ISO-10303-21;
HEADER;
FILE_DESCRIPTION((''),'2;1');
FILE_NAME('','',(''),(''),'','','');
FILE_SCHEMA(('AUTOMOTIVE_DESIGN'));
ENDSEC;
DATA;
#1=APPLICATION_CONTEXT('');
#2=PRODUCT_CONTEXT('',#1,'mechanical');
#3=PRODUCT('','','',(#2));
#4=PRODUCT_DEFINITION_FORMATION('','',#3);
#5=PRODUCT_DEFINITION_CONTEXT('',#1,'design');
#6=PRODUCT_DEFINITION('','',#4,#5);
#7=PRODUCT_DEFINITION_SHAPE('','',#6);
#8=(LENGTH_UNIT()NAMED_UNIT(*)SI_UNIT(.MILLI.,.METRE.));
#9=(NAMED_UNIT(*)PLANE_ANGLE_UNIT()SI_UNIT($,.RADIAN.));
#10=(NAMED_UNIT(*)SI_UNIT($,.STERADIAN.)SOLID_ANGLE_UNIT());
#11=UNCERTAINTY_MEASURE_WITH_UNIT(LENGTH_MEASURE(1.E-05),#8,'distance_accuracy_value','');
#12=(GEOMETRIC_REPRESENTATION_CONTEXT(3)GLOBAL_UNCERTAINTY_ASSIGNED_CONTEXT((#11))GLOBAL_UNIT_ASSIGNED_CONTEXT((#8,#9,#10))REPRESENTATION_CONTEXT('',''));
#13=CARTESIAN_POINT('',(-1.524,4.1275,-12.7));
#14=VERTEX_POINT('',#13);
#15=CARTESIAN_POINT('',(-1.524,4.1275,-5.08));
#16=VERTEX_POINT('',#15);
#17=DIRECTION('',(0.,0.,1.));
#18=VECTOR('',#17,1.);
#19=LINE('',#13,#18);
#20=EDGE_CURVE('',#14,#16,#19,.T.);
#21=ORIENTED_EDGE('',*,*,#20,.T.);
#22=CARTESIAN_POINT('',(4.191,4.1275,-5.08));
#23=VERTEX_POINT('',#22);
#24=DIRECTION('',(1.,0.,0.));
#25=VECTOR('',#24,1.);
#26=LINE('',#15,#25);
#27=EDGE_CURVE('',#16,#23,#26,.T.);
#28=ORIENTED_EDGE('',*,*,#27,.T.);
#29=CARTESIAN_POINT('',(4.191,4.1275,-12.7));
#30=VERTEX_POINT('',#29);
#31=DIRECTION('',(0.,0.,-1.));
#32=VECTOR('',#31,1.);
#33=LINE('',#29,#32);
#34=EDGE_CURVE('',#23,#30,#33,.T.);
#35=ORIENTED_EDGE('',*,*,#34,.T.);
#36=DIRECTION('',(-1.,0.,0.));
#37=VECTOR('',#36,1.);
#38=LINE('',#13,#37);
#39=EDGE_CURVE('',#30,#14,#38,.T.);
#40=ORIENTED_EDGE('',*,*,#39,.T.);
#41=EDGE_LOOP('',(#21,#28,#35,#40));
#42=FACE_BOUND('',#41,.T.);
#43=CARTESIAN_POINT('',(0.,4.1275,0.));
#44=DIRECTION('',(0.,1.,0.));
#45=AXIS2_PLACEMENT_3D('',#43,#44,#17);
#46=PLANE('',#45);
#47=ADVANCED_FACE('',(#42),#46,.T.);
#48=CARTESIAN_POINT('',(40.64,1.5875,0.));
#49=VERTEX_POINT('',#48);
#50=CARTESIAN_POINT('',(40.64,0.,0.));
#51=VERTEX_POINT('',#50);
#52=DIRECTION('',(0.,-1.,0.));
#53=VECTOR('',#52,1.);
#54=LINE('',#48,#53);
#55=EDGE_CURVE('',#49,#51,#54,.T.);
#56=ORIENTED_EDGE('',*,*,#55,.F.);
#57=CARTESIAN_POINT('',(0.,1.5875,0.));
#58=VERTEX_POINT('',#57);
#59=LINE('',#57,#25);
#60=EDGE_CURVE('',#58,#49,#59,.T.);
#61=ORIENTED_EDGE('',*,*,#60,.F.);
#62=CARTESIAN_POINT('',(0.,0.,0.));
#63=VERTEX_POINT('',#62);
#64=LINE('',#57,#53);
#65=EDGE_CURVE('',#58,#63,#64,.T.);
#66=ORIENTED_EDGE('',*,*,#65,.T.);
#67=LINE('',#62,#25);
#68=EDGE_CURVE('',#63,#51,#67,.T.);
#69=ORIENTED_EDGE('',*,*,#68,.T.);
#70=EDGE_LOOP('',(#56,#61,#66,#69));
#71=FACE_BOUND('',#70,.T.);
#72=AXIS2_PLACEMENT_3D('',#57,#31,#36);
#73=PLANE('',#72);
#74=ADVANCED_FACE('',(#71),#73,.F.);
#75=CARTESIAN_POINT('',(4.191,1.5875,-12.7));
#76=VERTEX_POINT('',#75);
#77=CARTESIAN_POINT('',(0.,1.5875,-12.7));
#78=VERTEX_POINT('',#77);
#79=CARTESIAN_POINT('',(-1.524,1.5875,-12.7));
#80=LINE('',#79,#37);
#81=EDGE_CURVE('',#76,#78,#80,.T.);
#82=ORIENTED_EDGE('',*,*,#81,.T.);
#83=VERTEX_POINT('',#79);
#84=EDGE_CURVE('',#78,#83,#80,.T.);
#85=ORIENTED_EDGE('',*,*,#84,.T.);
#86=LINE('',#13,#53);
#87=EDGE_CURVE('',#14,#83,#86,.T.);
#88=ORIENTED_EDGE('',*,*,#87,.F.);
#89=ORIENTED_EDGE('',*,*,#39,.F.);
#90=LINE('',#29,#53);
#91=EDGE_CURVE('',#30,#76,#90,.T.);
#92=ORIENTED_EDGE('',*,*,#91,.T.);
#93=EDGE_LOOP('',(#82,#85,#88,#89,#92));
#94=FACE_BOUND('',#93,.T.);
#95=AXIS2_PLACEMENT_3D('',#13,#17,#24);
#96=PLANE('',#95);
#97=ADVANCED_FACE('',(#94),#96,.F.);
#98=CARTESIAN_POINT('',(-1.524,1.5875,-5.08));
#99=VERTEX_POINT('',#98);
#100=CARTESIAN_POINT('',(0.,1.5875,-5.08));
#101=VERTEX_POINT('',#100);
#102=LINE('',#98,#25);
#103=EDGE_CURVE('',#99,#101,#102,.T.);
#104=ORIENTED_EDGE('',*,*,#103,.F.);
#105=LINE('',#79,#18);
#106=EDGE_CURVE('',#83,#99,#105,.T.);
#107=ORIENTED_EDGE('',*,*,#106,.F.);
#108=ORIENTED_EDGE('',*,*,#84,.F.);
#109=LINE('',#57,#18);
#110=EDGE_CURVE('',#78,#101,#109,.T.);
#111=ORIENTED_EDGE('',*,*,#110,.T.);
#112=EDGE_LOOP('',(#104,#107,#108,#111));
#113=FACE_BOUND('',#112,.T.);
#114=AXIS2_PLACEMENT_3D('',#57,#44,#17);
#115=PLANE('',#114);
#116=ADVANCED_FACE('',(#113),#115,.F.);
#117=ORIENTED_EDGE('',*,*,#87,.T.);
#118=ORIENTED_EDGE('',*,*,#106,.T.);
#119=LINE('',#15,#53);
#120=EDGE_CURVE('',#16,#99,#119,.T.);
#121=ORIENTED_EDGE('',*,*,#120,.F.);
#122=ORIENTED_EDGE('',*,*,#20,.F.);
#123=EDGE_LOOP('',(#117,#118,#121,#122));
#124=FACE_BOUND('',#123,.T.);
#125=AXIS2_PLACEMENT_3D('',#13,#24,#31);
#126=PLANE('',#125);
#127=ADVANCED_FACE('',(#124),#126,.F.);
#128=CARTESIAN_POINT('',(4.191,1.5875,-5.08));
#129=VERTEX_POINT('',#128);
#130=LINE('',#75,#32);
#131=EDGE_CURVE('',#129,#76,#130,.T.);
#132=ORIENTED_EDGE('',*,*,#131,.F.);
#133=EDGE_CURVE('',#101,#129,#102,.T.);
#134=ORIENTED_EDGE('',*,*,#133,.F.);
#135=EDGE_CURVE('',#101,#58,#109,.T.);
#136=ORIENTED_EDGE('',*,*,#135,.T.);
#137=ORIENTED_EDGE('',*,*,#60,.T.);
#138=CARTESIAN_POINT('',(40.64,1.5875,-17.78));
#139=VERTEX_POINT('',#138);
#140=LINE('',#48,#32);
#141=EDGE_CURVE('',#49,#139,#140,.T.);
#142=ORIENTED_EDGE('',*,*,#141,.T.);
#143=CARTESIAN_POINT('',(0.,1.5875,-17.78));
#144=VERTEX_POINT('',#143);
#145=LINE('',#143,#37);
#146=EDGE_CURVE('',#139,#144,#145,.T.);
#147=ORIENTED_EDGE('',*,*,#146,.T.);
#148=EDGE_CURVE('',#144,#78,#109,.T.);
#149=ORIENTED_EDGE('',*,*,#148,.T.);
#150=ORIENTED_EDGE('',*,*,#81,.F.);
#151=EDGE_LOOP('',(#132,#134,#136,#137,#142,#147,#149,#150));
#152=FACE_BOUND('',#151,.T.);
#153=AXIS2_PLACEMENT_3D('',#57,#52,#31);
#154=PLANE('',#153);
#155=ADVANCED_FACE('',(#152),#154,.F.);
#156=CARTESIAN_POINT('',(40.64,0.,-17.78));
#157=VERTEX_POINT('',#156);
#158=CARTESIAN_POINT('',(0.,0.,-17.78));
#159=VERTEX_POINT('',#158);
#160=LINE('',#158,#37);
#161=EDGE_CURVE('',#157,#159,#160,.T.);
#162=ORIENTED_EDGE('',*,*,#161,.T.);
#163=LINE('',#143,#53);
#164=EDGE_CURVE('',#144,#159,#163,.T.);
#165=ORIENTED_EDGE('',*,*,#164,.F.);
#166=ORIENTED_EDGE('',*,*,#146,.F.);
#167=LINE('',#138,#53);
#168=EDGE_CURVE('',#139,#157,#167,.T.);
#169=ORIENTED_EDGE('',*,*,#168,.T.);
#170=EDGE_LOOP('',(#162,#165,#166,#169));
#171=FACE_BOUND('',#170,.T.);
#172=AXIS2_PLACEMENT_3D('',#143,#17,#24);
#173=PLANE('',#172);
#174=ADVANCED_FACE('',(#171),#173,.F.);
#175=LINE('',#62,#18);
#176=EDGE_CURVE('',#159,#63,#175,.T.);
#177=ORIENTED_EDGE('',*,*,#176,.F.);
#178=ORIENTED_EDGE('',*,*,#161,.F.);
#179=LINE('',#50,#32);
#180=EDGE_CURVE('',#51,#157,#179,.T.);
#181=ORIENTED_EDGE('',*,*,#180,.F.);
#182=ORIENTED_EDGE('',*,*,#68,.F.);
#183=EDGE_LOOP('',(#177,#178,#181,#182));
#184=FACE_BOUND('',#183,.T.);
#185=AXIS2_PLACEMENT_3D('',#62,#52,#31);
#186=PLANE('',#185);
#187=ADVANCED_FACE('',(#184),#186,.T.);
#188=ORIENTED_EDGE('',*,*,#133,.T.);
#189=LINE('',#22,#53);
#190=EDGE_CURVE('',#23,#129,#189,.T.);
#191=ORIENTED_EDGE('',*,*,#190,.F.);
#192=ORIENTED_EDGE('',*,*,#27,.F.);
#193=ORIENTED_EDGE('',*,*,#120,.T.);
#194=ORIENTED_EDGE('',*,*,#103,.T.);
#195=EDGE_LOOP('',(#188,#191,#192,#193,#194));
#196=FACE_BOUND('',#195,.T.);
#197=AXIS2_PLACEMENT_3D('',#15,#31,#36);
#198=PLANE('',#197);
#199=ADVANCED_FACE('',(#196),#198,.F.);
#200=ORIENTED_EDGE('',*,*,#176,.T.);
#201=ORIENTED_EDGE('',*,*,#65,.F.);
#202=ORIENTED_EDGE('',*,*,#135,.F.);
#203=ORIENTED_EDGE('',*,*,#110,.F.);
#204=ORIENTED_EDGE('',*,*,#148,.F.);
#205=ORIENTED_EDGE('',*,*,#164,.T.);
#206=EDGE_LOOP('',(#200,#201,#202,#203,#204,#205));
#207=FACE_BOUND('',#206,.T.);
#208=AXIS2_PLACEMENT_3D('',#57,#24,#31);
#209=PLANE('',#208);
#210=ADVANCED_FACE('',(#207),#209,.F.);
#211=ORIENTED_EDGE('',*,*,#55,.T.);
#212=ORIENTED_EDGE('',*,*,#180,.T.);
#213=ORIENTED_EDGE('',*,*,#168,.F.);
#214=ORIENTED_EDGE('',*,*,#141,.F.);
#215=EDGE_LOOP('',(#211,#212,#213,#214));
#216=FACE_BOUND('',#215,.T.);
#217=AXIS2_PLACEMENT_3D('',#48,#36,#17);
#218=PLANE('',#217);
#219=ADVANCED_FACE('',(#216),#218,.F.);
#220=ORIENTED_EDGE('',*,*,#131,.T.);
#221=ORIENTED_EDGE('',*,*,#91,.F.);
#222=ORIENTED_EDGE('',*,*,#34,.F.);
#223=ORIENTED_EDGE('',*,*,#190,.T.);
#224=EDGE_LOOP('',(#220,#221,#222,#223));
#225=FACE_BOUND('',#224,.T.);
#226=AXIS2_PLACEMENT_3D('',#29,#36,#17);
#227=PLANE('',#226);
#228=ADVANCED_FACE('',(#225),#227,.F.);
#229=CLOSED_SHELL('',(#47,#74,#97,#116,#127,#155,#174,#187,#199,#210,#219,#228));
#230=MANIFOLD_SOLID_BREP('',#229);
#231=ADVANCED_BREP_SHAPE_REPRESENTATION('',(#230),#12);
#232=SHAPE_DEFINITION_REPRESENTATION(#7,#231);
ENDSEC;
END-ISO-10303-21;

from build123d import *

# Parameters (mm, degrees)
SKETCH1_W           = 40.64
SKETCH1_H           = 17.78
BOSS_EXTRUDE1_DEPTH = 1.5875
SKETCH2_W           = 5.715
SKETCH2_H           = 7.62
BOSS_EXTRUDE2_DEPTH = 2.54


with BuildPart() as part:
    # Sketch1 → Boss-Extrude1 (new body)
    with BuildSketch(Plane(origin=(0, 0, 0), x_dir=(1, 0, 0), z_dir=(0, 1, 0))):
        with Locations((20.32, 8.89)):
            Rectangle(SKETCH1_W, SKETCH1_H)
    extrude(amount=BOSS_EXTRUDE1_DEPTH)

    # Sketch2 → Boss-Extrude2 (add)
    with BuildSketch(Plane(origin=(0, 1.5875, 0), x_dir=(1, 0, 0), z_dir=(0, 1, 0))):
        with Locations((1.3335, 8.89)):
            Rectangle(SKETCH2_W, SKETCH2_H)
    extrude(amount=BOSS_EXTRUDE2_DEPTH)


solid = part.part
